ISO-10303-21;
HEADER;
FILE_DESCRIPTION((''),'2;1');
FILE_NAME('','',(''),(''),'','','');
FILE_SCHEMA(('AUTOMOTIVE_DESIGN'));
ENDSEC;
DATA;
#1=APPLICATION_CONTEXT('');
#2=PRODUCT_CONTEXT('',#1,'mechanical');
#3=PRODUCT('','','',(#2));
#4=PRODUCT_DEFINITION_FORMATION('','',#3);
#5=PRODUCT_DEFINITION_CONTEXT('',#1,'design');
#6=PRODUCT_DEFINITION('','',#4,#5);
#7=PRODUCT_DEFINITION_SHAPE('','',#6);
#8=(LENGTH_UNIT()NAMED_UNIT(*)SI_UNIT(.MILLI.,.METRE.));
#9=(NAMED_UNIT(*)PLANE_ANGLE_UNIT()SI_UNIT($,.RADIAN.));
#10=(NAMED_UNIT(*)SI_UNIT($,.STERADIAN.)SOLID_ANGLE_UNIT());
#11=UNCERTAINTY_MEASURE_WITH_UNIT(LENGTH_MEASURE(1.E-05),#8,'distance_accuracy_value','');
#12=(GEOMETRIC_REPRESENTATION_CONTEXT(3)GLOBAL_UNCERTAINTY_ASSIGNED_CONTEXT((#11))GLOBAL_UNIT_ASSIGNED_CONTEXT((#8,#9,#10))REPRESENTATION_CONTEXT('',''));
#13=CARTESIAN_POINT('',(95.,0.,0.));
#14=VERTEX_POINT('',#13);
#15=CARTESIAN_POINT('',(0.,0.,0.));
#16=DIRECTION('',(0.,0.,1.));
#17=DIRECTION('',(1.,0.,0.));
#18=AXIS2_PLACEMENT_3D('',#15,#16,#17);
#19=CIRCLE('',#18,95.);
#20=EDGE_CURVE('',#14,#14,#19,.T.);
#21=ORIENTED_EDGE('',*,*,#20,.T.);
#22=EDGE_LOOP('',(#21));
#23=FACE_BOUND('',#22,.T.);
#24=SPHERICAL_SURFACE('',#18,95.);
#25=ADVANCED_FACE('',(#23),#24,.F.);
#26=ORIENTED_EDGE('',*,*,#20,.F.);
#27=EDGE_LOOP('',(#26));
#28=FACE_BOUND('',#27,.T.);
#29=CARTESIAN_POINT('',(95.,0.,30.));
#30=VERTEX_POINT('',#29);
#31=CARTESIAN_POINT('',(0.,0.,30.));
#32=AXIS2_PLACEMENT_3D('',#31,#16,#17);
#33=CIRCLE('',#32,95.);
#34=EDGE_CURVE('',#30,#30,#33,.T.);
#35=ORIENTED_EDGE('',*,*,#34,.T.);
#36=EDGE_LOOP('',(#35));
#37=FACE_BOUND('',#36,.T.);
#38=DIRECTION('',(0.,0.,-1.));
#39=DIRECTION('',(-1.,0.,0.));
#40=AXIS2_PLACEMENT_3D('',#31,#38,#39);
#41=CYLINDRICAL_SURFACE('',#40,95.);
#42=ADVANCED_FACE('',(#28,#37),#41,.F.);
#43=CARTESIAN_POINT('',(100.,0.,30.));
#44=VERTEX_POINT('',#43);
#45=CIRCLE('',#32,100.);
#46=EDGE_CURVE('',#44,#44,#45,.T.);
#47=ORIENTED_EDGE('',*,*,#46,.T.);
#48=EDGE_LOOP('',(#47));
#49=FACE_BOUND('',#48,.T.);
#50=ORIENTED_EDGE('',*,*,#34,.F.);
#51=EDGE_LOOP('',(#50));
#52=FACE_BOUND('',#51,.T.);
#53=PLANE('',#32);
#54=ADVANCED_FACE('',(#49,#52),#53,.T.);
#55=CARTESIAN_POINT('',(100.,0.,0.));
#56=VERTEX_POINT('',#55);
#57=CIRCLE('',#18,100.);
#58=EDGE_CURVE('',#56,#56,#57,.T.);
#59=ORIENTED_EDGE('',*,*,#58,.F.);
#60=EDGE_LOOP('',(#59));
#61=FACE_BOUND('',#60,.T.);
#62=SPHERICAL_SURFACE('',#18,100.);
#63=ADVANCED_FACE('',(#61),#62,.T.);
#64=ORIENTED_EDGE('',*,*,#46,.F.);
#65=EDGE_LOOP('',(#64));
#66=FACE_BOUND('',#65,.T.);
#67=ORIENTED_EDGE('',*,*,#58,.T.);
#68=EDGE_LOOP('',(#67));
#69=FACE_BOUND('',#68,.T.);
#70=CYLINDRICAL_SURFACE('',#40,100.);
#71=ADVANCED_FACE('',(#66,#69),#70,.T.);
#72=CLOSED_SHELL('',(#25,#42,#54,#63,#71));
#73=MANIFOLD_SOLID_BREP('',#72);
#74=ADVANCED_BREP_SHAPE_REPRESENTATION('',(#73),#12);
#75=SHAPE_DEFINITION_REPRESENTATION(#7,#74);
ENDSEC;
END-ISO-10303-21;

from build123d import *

# Parameters (mm, degrees)
SKETCH_4_R      = 100
SKETCH_4_R_2    = 95
EXTRUDE_1_DEPTH = 30


with BuildPart() as part:
    # 草图2 → 旋转1 (revolve)
    with BuildSketch(Plane(origin=(0, 0, 0), x_dir=(1, 0, 0), z_dir=(0, 1, 0))):
        with BuildLine():
            Line((100, 0), (95, 0))
            ThreePointArc((95, 0), (67.175144213, 67.175144213), (0, 95))
            Line((0, 95), (0, 100))
            ThreePointArc((0, 100), (70.710678119, 70.710678119), (100, 0))
        make_face()
    revolve(axis=Axis((0, 0, -95), (0, 0, -1)))

    # 草图4 → 凸台-拉伸1 (add)
    with BuildSketch(Plane.XY):
        Circle(SKETCH_4_R)
        Circle(SKETCH_4_R_2, mode=Mode.SUBTRACT)
    extrude(amount=EXTRUDE_1_DEPTH)


solid = part.part
